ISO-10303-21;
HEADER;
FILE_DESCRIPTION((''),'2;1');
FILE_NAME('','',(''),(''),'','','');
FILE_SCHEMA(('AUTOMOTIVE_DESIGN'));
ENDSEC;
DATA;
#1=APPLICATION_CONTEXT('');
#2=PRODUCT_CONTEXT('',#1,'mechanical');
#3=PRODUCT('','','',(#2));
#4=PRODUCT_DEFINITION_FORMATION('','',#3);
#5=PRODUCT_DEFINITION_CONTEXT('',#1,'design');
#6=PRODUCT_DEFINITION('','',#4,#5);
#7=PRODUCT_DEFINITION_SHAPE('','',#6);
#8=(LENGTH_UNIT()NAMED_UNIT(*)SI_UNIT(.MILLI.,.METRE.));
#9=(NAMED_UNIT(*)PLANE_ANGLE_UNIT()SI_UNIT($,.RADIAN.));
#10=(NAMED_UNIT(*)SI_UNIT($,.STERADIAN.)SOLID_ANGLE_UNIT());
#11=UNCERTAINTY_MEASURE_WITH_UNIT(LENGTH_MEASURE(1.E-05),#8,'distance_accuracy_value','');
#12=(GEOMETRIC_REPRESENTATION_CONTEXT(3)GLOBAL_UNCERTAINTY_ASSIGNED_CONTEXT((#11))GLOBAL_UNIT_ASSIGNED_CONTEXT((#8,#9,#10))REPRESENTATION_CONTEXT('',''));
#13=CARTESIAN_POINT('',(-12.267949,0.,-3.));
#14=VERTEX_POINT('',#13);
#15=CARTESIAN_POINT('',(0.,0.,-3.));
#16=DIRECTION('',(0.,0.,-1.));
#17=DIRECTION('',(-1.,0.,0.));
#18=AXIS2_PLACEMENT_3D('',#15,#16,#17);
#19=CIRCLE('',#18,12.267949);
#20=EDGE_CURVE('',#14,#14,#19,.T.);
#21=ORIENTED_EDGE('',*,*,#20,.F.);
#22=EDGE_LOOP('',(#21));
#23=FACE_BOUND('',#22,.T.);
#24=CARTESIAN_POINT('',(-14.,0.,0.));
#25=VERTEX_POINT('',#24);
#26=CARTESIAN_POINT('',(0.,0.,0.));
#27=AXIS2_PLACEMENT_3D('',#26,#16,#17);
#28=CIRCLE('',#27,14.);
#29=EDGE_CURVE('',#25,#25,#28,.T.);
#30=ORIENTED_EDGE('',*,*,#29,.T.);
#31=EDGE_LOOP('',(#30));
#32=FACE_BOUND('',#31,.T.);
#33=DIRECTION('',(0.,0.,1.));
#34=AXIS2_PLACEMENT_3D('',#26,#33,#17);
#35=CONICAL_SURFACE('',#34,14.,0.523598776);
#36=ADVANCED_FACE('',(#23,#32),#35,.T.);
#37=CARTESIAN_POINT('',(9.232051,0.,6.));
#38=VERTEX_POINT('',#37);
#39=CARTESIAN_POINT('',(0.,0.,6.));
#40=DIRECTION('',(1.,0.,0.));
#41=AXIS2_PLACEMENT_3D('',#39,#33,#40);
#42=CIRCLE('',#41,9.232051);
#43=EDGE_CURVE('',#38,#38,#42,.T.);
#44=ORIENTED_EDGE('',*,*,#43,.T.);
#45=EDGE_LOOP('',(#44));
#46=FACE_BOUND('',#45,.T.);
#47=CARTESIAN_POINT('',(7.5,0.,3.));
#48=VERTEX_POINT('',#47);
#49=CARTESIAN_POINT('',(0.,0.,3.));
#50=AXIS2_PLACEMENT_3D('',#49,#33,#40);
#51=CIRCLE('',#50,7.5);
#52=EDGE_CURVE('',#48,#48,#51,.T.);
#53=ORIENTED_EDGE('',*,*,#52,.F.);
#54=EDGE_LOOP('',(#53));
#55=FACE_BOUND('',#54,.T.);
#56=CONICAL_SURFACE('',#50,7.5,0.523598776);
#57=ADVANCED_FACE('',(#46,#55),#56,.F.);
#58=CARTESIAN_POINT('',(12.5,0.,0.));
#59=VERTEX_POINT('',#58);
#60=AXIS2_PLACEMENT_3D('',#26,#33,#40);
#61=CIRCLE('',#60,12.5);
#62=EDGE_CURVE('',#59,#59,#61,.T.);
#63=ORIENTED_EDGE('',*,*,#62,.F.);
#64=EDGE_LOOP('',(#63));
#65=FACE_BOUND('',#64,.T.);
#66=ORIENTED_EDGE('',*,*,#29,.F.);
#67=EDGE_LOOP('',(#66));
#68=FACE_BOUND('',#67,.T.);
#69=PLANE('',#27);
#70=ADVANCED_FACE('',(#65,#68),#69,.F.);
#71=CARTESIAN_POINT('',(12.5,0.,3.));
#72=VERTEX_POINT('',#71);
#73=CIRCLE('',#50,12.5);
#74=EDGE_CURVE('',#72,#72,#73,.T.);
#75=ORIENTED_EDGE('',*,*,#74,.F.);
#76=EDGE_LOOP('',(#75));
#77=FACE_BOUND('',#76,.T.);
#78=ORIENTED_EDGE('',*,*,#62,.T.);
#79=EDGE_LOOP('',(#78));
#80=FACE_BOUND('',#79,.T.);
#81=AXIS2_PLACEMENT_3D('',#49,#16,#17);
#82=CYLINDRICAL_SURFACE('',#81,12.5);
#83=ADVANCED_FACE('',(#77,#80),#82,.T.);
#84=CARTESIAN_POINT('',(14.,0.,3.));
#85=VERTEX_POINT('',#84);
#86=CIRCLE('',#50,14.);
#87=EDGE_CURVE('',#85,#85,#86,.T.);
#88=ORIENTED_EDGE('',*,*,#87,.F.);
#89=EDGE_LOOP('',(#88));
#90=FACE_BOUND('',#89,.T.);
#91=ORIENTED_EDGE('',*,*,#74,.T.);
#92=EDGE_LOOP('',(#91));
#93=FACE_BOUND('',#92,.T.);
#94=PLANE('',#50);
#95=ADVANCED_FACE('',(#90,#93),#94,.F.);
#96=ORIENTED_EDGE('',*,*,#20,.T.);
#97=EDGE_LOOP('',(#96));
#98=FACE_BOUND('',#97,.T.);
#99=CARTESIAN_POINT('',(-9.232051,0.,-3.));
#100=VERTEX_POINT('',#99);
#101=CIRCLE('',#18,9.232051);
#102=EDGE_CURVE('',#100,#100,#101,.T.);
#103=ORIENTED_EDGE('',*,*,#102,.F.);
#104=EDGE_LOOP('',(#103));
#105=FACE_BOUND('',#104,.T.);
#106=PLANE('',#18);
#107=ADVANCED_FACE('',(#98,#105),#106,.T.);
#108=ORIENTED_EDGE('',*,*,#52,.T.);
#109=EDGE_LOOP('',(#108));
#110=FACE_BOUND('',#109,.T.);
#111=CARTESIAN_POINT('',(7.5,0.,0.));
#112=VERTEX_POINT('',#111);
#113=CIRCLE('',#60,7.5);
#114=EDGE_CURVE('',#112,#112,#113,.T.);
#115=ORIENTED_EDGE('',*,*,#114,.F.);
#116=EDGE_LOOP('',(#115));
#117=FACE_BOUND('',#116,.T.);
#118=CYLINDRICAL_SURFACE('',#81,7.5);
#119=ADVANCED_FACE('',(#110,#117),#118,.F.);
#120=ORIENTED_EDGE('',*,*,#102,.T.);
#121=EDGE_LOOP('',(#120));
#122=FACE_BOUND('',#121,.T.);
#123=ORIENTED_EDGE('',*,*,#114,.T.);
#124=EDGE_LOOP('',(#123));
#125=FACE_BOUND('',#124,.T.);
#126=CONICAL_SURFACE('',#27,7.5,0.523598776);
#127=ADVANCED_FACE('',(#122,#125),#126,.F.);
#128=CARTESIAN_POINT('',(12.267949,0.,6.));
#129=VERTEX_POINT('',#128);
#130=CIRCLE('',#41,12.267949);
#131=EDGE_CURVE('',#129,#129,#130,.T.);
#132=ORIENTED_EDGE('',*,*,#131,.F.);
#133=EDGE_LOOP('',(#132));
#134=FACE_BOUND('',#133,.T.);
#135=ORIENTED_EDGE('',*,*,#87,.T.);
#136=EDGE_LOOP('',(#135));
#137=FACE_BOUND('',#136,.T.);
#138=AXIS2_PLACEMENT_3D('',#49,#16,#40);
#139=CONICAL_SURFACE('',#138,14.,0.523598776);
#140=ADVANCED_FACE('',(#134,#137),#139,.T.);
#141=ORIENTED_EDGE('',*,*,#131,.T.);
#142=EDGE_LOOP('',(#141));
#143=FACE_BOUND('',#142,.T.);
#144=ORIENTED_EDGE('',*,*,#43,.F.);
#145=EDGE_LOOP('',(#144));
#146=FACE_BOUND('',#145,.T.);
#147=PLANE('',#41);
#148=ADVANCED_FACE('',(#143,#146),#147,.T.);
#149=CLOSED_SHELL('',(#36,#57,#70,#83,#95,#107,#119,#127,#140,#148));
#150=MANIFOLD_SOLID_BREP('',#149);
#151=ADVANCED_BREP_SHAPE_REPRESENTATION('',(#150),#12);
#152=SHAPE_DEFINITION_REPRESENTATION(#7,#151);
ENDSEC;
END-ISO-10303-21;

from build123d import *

# Parameters (mm, degrees)
SKETCH1_R           = 12.5
SKETCH1_R_2         = 7.5
BOSS_EXTRUDE1_DEPTH = 3
SKETCH2_R           = 14
SKETCH2_R_2         = 7.5
BOSS_EXTRUDE2_DEPTH = 3
BOSS_EXTRUDE2_TAPER = 30
SKETCH3_R           = 14
SKETCH3_R_2         = 7.5
BOSS_EXTRUDE3_DEPTH = 3
BOSS_EXTRUDE3_TAPER = 30


with BuildPart() as part:
    # Sketch1 → Boss-Extrude1 (new body)
    with BuildSketch(Plane.XY):
        Circle(SKETCH1_R)
        Circle(SKETCH1_R_2, mode=Mode.SUBTRACT)
    extrude(amount=BOSS_EXTRUDE1_DEPTH)

    # Sketch2 → Boss-Extrude2 (add)
    with BuildSketch(Plane.XY.offset(3)):
        Circle(SKETCH2_R)
        Circle(SKETCH2_R_2, mode=Mode.SUBTRACT)
    extrude(amount=BOSS_EXTRUDE2_DEPTH, taper=BOSS_EXTRUDE2_TAPER)

    # Sketch3 → Boss-Extrude3 (add)
    with BuildSketch(Plane(origin=(0, 0, 0), x_dir=(-1, 0, 0), z_dir=(0, 0, -1))):
        Circle(SKETCH3_R)
        Circle(SKETCH3_R_2, mode=Mode.SUBTRACT)
    extrude(amount=BOSS_EXTRUDE3_DEPTH, taper=BOSS_EXTRUDE3_TAPER)


solid = part.part
